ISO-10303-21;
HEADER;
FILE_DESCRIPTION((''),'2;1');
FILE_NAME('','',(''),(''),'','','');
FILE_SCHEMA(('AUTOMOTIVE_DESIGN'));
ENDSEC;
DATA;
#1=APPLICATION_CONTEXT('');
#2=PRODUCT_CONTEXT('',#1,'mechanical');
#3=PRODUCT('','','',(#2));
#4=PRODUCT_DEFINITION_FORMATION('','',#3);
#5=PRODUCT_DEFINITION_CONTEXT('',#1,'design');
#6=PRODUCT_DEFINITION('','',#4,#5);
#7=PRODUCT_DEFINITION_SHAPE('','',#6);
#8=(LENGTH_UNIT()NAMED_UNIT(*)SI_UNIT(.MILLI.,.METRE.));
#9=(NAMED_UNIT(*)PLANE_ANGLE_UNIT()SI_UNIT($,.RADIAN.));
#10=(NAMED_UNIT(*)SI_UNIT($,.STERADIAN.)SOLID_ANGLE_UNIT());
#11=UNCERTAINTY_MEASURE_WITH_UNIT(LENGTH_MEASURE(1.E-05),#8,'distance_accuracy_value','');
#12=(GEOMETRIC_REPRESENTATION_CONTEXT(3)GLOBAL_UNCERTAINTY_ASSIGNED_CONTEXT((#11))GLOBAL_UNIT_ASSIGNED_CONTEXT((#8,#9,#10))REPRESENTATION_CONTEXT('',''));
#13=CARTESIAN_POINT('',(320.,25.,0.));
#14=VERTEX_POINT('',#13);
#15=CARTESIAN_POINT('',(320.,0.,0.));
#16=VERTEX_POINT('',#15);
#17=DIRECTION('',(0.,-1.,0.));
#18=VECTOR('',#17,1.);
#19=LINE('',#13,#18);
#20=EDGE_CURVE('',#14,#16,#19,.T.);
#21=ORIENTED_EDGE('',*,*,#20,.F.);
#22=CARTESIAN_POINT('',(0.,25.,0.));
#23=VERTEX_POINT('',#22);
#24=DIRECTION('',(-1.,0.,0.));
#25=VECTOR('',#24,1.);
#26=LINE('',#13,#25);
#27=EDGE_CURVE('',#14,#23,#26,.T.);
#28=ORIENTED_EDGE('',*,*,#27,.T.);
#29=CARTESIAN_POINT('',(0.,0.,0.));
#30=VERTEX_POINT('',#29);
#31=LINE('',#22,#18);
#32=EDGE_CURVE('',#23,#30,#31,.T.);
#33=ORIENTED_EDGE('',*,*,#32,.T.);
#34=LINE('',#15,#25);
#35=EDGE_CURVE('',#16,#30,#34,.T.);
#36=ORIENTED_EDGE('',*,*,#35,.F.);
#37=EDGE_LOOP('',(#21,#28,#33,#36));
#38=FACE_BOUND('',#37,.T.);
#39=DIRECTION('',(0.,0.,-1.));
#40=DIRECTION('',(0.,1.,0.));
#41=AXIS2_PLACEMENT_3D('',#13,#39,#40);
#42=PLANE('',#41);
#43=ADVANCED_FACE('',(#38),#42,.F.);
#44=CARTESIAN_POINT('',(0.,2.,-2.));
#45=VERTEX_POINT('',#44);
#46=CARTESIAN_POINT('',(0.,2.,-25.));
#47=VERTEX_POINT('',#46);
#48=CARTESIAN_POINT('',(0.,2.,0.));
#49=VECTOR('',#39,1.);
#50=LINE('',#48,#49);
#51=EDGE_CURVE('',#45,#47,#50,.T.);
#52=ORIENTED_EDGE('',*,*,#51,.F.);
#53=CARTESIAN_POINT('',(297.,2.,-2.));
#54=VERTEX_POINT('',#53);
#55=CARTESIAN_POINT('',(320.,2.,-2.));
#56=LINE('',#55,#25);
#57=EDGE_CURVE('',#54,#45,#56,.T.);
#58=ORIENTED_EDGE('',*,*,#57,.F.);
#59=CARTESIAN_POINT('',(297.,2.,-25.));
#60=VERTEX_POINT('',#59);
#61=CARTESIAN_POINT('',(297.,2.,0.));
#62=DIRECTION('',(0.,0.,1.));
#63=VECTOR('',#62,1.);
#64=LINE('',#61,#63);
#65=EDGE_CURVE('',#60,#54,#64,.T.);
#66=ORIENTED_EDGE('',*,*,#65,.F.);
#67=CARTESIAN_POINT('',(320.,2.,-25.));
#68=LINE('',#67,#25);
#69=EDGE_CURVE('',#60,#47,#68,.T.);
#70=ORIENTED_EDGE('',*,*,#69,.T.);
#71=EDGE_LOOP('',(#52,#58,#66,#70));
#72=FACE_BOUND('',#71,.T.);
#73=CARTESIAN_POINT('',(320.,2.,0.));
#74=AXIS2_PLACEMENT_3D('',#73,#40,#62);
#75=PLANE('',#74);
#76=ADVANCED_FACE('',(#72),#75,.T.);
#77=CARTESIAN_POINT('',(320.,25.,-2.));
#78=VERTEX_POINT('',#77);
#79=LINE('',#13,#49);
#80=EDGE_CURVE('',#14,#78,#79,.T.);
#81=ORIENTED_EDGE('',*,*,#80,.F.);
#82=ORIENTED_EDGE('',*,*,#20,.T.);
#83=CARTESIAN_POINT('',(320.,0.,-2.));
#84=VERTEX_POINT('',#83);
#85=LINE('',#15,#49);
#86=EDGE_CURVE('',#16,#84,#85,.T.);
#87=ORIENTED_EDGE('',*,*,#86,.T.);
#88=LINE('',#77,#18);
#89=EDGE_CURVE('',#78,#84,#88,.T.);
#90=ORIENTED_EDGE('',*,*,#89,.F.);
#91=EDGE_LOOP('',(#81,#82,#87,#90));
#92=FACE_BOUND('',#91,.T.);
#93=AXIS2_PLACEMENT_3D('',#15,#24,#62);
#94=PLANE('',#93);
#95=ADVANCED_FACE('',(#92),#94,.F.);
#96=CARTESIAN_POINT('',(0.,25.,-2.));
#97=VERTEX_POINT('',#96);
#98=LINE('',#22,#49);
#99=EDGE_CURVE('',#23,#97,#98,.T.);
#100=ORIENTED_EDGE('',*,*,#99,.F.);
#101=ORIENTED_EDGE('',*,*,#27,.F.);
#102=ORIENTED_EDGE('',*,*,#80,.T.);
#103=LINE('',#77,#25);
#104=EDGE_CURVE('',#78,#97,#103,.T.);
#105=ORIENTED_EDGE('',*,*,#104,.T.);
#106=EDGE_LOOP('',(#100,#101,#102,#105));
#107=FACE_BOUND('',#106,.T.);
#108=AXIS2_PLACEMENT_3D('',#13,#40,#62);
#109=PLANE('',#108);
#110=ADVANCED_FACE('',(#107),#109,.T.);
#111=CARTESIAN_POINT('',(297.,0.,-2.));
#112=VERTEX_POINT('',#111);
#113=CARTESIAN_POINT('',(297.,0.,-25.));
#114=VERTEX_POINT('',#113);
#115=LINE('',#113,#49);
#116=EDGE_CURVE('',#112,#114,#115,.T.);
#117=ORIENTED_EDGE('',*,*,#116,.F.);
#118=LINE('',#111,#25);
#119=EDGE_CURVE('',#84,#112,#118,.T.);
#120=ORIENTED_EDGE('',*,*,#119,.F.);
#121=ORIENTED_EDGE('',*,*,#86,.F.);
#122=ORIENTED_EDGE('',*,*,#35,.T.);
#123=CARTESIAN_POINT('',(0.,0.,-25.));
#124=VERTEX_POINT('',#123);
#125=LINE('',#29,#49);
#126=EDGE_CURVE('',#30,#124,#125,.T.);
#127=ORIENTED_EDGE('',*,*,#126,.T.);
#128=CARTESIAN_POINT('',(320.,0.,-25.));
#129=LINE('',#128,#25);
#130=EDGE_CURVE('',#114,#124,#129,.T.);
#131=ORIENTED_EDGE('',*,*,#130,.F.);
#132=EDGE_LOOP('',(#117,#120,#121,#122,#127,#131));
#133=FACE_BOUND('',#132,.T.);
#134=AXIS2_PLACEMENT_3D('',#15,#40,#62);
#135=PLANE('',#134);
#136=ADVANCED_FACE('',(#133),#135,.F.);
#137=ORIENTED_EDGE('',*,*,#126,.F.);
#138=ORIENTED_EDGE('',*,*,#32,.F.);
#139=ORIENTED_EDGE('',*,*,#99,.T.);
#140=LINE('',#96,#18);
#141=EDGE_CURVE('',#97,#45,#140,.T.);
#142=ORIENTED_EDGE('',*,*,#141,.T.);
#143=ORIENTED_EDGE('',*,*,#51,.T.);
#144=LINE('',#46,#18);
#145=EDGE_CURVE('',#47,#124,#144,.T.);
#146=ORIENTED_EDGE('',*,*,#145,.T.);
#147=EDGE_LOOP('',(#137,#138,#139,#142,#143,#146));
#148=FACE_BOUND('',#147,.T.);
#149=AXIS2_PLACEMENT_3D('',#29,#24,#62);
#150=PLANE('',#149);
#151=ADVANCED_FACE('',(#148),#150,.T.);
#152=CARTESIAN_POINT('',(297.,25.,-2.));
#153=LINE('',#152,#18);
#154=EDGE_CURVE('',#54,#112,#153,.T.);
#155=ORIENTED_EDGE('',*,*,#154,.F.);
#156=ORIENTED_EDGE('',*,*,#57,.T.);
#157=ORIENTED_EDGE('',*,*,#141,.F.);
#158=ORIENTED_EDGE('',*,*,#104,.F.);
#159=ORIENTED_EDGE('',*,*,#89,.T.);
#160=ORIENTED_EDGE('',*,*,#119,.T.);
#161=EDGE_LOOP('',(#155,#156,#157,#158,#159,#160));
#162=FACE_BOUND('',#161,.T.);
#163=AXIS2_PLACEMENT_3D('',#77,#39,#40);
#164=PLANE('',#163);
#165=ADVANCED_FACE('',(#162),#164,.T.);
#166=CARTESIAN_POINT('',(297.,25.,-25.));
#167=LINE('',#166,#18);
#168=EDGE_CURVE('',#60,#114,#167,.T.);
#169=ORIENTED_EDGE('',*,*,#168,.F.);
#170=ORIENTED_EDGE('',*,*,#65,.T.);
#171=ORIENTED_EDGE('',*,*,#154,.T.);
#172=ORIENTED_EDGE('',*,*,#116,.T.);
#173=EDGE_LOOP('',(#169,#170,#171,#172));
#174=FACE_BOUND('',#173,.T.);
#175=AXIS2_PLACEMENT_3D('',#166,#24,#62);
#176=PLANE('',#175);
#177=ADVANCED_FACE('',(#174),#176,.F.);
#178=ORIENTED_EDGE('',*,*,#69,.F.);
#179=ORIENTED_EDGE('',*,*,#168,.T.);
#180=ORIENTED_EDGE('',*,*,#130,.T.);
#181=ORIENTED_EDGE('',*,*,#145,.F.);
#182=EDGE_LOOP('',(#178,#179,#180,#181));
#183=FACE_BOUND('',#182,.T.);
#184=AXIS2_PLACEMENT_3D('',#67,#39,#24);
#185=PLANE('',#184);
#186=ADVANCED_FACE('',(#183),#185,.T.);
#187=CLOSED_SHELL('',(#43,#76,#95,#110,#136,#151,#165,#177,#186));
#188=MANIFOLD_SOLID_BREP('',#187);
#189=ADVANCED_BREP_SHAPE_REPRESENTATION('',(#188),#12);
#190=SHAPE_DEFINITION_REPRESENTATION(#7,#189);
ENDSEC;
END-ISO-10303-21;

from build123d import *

# Parameters (mm, degrees)
EXTRUDE_1_DEPTH     = 320
SKETCH_2_W          = 23
SKETCH_2_H          = 23
CUT_EXTRUDE_1_DEPTH = 26


with BuildPart() as part:
    # Эскиз1 → Вытянуть-Тонкостенный1 (new body)
    with BuildSketch(Plane(origin=(0, 0, 0), x_dir=(0, 0, -1), z_dir=(1, 0, 0))):
        Polygon((0, 25), (0, 0), (25, 0), (25, 2), (2, 2), (2, 25), align=None)
    extrude(amount=EXTRUDE_1_DEPTH)

    # Эскиз2 → Вырез-Вытянуть1 (cut, through all)
    with BuildSketch(Plane.XZ):
        with Locations((308.5, -13.5)):
            Rectangle(SKETCH_2_W, SKETCH_2_H)
    extrude(amount=-CUT_EXTRUDE_1_DEPTH, mode=Mode.SUBTRACT)


solid = part.part
